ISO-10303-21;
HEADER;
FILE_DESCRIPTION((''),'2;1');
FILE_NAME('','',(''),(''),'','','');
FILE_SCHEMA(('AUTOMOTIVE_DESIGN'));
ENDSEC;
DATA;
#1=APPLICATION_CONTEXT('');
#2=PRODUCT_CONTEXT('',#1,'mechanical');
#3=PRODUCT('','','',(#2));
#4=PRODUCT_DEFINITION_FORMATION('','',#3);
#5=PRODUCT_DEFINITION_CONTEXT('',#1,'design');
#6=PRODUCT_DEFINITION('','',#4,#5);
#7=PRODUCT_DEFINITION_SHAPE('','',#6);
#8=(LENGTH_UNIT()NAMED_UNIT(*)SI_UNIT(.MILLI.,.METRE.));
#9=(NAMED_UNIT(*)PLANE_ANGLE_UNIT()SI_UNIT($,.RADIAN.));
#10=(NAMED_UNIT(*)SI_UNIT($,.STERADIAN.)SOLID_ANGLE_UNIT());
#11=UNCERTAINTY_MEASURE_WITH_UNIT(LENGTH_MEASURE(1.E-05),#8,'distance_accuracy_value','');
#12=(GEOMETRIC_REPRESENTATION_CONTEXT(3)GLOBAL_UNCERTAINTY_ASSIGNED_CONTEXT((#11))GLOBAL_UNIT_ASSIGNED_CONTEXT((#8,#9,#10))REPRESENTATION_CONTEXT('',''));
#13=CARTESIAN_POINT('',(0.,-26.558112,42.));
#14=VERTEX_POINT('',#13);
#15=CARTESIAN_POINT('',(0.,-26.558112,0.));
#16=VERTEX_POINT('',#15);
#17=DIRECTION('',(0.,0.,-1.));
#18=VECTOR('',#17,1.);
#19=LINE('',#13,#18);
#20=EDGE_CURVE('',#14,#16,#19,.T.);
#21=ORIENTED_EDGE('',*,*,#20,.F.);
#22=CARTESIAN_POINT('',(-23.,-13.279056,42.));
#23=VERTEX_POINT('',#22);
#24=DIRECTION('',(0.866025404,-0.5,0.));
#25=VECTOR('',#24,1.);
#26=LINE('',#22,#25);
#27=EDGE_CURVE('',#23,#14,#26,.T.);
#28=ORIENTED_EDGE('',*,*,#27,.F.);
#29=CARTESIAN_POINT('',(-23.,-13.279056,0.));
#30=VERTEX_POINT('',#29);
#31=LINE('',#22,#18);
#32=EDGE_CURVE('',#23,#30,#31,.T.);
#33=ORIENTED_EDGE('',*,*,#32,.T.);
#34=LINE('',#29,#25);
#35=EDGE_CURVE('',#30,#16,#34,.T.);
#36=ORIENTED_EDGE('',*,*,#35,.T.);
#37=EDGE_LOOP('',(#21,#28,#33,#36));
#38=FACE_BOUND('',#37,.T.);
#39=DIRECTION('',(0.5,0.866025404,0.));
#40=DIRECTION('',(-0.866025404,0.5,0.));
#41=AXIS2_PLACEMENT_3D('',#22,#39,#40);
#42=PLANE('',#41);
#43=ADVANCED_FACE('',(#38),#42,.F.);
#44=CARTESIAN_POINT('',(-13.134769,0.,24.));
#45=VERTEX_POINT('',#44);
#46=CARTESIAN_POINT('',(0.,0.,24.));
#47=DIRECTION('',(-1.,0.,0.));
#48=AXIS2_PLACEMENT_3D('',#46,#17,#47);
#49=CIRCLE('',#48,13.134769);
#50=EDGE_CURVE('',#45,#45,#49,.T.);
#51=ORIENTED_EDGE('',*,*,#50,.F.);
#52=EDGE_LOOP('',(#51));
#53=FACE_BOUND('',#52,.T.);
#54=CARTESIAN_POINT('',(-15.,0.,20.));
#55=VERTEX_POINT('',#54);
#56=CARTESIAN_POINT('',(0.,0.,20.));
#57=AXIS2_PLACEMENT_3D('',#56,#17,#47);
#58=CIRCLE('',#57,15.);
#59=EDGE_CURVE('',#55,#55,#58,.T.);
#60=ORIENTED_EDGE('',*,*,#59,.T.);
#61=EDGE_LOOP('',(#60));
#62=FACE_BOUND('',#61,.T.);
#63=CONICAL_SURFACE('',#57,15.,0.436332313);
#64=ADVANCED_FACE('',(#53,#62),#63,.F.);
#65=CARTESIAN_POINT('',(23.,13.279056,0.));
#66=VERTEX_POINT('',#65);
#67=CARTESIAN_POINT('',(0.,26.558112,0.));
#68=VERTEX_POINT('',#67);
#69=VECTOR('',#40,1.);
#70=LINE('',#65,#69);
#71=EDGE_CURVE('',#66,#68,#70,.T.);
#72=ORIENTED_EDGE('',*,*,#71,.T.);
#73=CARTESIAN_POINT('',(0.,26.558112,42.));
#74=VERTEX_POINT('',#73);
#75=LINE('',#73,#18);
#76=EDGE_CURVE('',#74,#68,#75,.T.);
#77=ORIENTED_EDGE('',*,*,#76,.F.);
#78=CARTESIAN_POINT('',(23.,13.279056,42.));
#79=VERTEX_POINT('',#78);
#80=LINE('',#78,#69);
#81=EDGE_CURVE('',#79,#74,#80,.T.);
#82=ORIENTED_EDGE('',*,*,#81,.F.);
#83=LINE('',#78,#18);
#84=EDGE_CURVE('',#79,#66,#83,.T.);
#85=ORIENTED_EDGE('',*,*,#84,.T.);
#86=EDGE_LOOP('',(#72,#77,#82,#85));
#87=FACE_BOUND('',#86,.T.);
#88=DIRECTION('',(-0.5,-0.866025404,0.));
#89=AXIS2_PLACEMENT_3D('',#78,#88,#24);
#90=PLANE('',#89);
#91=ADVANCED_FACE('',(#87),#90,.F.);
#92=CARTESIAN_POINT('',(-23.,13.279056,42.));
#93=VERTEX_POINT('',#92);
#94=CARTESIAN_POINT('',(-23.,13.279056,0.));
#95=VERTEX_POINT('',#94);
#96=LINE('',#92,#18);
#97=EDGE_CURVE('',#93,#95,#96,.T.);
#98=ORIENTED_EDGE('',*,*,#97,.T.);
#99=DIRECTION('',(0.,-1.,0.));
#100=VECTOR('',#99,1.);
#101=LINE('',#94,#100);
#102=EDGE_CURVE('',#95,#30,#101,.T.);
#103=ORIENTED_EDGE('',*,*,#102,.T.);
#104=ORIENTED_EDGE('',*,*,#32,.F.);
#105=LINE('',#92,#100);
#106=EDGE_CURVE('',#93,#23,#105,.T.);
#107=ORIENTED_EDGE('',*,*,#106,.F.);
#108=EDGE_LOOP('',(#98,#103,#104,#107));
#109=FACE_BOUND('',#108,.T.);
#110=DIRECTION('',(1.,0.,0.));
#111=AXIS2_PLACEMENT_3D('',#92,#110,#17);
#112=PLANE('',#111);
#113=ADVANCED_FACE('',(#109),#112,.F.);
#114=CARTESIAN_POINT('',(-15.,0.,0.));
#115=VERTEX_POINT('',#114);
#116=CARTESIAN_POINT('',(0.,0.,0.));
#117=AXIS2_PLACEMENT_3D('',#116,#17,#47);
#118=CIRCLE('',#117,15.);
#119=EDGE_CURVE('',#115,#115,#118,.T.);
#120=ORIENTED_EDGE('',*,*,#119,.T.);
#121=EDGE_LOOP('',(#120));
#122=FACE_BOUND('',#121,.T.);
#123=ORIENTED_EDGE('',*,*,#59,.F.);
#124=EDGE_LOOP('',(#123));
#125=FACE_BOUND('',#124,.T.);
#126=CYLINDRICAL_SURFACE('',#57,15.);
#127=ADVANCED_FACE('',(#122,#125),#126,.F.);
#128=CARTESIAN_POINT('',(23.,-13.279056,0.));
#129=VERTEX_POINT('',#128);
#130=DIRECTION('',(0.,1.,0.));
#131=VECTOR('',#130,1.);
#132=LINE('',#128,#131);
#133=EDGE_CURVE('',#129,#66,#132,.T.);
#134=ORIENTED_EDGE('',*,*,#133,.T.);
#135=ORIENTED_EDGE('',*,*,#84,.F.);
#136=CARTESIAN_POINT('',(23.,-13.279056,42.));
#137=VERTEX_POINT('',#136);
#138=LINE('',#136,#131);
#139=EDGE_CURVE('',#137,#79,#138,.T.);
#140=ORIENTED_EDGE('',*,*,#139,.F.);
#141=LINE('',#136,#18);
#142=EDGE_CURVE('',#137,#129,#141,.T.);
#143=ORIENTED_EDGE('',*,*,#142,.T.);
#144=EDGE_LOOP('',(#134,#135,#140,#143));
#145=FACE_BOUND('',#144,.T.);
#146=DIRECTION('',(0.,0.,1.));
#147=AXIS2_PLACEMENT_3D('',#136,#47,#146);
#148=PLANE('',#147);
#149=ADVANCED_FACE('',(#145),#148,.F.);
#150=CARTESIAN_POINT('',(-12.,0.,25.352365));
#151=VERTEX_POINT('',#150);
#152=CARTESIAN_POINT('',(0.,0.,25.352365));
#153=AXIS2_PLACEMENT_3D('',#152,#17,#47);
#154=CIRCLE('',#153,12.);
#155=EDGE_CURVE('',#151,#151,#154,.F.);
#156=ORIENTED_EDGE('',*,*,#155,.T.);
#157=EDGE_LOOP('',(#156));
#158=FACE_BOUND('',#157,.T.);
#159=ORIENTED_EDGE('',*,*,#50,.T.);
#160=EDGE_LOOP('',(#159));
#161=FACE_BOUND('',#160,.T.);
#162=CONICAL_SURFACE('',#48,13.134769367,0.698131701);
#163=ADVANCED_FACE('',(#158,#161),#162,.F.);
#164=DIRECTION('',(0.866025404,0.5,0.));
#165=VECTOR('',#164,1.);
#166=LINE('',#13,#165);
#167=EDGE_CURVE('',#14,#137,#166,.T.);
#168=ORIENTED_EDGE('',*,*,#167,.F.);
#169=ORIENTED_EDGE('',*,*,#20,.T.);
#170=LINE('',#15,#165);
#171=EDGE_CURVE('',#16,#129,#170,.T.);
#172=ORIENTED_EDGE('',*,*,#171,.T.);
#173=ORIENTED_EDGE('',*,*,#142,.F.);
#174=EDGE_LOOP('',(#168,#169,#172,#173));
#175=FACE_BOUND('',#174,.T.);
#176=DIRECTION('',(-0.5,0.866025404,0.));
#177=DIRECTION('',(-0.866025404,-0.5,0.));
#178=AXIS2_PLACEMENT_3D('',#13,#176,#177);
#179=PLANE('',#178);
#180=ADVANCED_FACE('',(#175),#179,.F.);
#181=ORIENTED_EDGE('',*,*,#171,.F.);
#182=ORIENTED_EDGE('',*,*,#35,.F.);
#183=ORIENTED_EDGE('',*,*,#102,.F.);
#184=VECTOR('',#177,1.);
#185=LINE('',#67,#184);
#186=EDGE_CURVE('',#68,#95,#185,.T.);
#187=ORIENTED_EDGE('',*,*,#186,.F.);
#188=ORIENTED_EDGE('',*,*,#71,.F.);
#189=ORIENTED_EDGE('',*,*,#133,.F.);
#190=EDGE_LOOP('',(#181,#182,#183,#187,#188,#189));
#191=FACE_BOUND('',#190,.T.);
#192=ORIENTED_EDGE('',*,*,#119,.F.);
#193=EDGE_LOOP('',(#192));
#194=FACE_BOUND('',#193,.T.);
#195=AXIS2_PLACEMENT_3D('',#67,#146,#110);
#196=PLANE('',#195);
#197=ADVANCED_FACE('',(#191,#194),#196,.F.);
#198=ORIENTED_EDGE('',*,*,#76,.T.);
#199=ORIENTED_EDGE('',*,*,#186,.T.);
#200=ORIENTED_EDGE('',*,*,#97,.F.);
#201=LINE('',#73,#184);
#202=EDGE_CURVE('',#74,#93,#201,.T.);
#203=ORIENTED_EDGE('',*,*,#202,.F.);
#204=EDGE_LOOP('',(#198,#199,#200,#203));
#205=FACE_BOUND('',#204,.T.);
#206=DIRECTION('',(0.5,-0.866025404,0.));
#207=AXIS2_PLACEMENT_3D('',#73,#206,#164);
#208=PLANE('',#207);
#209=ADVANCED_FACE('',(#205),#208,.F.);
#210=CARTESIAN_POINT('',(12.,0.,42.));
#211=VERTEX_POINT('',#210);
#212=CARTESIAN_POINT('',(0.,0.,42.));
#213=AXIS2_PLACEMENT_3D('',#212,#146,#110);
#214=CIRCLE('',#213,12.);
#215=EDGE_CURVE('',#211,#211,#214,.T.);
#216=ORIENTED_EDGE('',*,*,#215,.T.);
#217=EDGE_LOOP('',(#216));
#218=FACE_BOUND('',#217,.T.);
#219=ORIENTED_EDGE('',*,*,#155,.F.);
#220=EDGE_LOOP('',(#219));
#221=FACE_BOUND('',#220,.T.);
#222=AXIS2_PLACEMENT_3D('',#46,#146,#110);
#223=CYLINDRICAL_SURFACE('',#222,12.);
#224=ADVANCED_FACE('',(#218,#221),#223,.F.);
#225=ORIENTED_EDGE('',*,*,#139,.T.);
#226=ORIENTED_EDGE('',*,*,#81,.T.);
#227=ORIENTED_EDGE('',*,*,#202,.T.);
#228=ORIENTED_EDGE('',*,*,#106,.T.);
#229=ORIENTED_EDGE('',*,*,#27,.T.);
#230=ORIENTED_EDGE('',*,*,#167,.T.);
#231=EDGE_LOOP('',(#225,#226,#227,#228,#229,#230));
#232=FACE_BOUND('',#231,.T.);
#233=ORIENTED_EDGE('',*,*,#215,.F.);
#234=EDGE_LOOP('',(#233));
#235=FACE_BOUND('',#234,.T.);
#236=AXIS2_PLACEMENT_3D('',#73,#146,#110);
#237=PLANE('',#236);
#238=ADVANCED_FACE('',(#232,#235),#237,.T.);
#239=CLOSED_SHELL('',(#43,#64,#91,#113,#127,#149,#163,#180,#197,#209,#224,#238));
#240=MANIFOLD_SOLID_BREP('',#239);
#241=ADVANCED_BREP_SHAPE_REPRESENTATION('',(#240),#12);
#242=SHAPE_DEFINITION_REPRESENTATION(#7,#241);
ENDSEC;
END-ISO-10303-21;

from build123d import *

# Parameters (mm, degrees)
EXTRUDE_1_DEPTH     = 42
SKETCH_12_R         = 15
CUT_EXTRUDE_3_DEPTH = 20
SKETCH_16_R         = 15
CUT_EXTRUDE_6_DEPTH = 4
CUT_EXTRUDE_6_DRAFT = -25
SKETCH_17_R         = 13.134769367
CUT_EXTRUDE_7_DEPTH = 2
CUT_EXTRUDE_7_DRAFT = -40
SKETCH_18_R         = 12
CUT_EXTRUDE_8_DEPTH = 18


with BuildPart() as part:
    # 草图2 → 拉伸1 (new body)
    with BuildSketch(Plane.XY):
        Polygon((0, 26.558112383), (-23, 13.279056191), (-23, -13.279056191), (0, -26.558112383), (23, -13.279056191), (23, 13.279056191), align=None)
    extrude(amount=EXTRUDE_1_DEPTH)

    # 草图12 → 拉伸3 (cut)
    with BuildSketch(Plane(origin=(0, 0, 0), x_dir=(-1, 0, 0), z_dir=(0, 0, -1))):
        Circle(SKETCH_12_R)
    extrude(amount=-CUT_EXTRUDE_3_DEPTH, mode=Mode.SUBTRACT)


with BuildPart() as cut_extrude_6_tool:
    # 草图16 → 拉伸6 (with draft: the straight prism first)
    with BuildSketch(Plane(origin=(0, 0, 20), x_dir=(-1, 0, 0), z_dir=(0, 0, -1))):
        Circle(SKETCH_16_R)
    extrude(amount=-CUT_EXTRUDE_6_DEPTH)
    # 拉伸6: the draft: its side faces are tilted about the plane it starts from
    cut_extrude_6_sides = [cut_extrude_6_tool.faces().sort_by_distance(p)[0] for p in [
        (15, 0, 22),
    ]]
    draft(cut_extrude_6_sides, Plane(origin=(0, 0, 20), x_dir=(-1, 0, 0), z_dir=(0, 0, -1)), CUT_EXTRUDE_6_DRAFT)


with BuildPart() as part_1:
    add(part.part)

    # 拉伸6: cut by cut_extrude_6_tool
    add(cut_extrude_6_tool.part, mode=Mode.SUBTRACT)


with BuildPart() as cut_extrude_7_tool:
    # 草图17 → 拉伸7 (with draft: the straight prism first)
    with BuildSketch(Plane(origin=(0, 0, 24), x_dir=(-1, 0, 0), z_dir=(0, 0, -1))):
        Circle(SKETCH_17_R)
    extrude(amount=-CUT_EXTRUDE_7_DEPTH)
    # 拉伸7: the draft: its side faces are tilted about the plane it starts from
    cut_extrude_7_sides = [cut_extrude_7_tool.faces().sort_by_distance(p)[0] for p in [
        (13.134769367, 0, 25),
    ]]
    draft(cut_extrude_7_sides, Plane(origin=(0, 0, 24), x_dir=(-1, 0, 0), z_dir=(0, 0, -1)), CUT_EXTRUDE_7_DRAFT)


with BuildPart() as part_2:
    add(part_1.part)

    # 拉伸7: cut by cut_extrude_7_tool
    add(cut_extrude_7_tool.part, mode=Mode.SUBTRACT)

    # 草图18 → 拉伸8 (cut)
    with BuildSketch(Plane.XY.offset(42)):
        Circle(SKETCH_18_R)
    extrude(amount=-CUT_EXTRUDE_8_DEPTH, mode=Mode.SUBTRACT)


solid = part_2.part
